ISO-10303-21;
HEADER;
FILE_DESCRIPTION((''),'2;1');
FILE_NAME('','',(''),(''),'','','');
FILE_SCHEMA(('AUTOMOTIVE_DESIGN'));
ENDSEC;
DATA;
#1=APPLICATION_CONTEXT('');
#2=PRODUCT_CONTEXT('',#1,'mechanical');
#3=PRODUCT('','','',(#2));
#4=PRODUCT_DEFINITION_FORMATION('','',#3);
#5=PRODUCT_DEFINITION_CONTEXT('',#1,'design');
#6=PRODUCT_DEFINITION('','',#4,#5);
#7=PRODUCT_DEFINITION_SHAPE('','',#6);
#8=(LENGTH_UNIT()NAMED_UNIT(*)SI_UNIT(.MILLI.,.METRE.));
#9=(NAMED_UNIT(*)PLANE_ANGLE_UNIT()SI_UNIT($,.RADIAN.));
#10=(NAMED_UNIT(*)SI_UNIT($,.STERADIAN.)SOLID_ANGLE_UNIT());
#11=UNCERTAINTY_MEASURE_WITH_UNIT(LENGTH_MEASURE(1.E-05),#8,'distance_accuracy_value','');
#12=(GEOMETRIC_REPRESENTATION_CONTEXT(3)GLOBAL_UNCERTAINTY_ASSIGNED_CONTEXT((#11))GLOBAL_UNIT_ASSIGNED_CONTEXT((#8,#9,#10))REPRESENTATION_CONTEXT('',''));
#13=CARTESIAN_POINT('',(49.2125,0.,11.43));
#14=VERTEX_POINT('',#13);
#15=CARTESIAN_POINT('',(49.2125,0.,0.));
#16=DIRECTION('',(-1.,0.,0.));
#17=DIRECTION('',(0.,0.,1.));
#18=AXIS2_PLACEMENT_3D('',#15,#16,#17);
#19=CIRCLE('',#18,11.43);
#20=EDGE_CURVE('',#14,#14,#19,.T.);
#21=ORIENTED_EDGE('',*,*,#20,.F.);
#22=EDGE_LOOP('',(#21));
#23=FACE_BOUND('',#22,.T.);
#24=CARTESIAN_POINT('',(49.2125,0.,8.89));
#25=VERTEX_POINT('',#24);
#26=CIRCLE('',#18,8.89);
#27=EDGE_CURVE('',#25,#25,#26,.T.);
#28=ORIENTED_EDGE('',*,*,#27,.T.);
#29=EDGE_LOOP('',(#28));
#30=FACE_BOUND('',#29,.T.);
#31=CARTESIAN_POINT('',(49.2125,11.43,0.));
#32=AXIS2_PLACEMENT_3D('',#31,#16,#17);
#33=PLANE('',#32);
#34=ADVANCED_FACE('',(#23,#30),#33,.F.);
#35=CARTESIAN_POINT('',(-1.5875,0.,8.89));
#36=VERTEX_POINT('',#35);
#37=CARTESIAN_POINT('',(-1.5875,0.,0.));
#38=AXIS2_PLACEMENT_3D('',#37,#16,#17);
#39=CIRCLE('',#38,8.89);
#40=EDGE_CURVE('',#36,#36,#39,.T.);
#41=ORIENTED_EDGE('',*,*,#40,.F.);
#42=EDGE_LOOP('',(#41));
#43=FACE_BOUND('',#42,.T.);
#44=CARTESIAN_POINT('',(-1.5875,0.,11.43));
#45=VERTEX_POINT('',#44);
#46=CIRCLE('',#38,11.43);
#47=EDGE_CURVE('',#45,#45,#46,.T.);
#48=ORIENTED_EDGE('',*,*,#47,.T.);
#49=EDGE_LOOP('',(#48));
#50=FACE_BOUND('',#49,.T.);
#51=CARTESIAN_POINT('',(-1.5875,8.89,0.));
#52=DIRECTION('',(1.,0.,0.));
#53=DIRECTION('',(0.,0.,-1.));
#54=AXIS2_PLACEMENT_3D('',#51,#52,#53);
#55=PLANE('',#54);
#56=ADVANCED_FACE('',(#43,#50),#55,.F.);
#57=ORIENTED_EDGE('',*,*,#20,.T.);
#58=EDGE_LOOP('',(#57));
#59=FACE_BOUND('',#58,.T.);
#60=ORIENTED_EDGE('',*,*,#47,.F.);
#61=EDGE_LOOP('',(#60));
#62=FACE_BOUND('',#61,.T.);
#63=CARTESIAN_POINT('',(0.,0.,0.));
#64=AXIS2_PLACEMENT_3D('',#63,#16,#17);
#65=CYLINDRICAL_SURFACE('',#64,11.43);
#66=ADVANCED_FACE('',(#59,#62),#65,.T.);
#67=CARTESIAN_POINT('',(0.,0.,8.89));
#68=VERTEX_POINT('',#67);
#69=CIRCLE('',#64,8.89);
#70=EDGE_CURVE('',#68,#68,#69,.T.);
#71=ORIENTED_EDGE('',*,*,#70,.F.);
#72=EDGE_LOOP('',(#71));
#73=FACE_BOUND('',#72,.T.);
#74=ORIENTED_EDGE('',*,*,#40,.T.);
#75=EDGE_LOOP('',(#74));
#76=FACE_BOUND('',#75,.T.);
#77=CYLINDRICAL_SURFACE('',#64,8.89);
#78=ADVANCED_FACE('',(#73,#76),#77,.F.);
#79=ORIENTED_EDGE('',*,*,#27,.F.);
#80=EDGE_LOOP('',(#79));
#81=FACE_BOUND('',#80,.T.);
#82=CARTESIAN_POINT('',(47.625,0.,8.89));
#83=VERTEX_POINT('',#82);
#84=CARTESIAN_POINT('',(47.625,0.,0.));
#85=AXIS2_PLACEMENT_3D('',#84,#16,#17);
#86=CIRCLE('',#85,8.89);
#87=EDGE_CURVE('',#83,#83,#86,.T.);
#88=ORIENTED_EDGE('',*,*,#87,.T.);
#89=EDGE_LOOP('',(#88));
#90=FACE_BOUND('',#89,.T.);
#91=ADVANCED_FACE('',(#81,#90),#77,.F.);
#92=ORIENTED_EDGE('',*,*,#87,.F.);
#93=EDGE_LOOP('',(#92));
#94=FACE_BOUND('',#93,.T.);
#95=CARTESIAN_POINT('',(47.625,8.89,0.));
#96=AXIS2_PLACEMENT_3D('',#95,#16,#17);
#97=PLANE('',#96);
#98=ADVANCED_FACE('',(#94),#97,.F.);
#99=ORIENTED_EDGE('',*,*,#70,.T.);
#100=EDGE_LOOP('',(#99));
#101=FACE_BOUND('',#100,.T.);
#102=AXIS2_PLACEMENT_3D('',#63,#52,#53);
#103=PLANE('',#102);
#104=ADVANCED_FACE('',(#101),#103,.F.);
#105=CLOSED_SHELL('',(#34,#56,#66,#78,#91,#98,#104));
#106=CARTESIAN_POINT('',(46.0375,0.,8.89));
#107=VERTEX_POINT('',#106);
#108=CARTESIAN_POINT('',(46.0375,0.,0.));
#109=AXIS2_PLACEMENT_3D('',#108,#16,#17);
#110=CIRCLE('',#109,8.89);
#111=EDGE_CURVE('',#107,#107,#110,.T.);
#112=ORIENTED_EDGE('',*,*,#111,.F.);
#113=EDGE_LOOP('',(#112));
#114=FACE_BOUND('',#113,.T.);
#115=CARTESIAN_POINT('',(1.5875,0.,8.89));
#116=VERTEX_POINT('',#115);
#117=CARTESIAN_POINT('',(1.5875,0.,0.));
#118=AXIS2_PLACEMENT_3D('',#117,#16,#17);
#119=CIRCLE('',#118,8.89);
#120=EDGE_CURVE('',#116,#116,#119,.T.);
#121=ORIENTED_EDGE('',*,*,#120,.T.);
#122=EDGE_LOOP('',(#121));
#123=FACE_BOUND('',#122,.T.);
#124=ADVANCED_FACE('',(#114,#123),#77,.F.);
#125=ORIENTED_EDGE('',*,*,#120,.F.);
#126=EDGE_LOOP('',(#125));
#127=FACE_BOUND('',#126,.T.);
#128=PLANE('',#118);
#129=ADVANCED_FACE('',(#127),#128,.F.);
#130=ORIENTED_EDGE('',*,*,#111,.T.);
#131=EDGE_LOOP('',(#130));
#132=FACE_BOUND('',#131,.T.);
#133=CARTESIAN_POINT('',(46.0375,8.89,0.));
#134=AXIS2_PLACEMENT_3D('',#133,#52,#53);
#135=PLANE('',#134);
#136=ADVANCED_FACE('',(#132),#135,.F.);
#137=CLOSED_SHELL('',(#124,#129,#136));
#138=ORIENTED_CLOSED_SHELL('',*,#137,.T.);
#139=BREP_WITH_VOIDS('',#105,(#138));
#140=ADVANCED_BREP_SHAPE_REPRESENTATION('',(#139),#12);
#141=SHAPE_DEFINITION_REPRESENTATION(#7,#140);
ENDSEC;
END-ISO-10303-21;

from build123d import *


with BuildPart() as part:
    # Sketch4 → Revolve1 (revolve)
    with BuildSketch(Plane.XY, mode=Mode.PRIVATE) as revolve1_sk:
        Polygon((0, 0), (0, 8.89), (-1.5875, 8.89), (-1.5875, 11.43), (49.2125, 11.43), (49.2125, 8.89), (47.625, 8.89), (47.625, 0), (46.0375, 0), (46.0375, 8.89), (1.5875, 8.89), (1.5875, 0), align=None)
    revolve(revolve1_sk.sketch.rotate(Axis((0, 0, 0), (1, 0, 0)), 90), axis=Axis((0, 0, 0), (1, 0, 0)))


solid = part.part
